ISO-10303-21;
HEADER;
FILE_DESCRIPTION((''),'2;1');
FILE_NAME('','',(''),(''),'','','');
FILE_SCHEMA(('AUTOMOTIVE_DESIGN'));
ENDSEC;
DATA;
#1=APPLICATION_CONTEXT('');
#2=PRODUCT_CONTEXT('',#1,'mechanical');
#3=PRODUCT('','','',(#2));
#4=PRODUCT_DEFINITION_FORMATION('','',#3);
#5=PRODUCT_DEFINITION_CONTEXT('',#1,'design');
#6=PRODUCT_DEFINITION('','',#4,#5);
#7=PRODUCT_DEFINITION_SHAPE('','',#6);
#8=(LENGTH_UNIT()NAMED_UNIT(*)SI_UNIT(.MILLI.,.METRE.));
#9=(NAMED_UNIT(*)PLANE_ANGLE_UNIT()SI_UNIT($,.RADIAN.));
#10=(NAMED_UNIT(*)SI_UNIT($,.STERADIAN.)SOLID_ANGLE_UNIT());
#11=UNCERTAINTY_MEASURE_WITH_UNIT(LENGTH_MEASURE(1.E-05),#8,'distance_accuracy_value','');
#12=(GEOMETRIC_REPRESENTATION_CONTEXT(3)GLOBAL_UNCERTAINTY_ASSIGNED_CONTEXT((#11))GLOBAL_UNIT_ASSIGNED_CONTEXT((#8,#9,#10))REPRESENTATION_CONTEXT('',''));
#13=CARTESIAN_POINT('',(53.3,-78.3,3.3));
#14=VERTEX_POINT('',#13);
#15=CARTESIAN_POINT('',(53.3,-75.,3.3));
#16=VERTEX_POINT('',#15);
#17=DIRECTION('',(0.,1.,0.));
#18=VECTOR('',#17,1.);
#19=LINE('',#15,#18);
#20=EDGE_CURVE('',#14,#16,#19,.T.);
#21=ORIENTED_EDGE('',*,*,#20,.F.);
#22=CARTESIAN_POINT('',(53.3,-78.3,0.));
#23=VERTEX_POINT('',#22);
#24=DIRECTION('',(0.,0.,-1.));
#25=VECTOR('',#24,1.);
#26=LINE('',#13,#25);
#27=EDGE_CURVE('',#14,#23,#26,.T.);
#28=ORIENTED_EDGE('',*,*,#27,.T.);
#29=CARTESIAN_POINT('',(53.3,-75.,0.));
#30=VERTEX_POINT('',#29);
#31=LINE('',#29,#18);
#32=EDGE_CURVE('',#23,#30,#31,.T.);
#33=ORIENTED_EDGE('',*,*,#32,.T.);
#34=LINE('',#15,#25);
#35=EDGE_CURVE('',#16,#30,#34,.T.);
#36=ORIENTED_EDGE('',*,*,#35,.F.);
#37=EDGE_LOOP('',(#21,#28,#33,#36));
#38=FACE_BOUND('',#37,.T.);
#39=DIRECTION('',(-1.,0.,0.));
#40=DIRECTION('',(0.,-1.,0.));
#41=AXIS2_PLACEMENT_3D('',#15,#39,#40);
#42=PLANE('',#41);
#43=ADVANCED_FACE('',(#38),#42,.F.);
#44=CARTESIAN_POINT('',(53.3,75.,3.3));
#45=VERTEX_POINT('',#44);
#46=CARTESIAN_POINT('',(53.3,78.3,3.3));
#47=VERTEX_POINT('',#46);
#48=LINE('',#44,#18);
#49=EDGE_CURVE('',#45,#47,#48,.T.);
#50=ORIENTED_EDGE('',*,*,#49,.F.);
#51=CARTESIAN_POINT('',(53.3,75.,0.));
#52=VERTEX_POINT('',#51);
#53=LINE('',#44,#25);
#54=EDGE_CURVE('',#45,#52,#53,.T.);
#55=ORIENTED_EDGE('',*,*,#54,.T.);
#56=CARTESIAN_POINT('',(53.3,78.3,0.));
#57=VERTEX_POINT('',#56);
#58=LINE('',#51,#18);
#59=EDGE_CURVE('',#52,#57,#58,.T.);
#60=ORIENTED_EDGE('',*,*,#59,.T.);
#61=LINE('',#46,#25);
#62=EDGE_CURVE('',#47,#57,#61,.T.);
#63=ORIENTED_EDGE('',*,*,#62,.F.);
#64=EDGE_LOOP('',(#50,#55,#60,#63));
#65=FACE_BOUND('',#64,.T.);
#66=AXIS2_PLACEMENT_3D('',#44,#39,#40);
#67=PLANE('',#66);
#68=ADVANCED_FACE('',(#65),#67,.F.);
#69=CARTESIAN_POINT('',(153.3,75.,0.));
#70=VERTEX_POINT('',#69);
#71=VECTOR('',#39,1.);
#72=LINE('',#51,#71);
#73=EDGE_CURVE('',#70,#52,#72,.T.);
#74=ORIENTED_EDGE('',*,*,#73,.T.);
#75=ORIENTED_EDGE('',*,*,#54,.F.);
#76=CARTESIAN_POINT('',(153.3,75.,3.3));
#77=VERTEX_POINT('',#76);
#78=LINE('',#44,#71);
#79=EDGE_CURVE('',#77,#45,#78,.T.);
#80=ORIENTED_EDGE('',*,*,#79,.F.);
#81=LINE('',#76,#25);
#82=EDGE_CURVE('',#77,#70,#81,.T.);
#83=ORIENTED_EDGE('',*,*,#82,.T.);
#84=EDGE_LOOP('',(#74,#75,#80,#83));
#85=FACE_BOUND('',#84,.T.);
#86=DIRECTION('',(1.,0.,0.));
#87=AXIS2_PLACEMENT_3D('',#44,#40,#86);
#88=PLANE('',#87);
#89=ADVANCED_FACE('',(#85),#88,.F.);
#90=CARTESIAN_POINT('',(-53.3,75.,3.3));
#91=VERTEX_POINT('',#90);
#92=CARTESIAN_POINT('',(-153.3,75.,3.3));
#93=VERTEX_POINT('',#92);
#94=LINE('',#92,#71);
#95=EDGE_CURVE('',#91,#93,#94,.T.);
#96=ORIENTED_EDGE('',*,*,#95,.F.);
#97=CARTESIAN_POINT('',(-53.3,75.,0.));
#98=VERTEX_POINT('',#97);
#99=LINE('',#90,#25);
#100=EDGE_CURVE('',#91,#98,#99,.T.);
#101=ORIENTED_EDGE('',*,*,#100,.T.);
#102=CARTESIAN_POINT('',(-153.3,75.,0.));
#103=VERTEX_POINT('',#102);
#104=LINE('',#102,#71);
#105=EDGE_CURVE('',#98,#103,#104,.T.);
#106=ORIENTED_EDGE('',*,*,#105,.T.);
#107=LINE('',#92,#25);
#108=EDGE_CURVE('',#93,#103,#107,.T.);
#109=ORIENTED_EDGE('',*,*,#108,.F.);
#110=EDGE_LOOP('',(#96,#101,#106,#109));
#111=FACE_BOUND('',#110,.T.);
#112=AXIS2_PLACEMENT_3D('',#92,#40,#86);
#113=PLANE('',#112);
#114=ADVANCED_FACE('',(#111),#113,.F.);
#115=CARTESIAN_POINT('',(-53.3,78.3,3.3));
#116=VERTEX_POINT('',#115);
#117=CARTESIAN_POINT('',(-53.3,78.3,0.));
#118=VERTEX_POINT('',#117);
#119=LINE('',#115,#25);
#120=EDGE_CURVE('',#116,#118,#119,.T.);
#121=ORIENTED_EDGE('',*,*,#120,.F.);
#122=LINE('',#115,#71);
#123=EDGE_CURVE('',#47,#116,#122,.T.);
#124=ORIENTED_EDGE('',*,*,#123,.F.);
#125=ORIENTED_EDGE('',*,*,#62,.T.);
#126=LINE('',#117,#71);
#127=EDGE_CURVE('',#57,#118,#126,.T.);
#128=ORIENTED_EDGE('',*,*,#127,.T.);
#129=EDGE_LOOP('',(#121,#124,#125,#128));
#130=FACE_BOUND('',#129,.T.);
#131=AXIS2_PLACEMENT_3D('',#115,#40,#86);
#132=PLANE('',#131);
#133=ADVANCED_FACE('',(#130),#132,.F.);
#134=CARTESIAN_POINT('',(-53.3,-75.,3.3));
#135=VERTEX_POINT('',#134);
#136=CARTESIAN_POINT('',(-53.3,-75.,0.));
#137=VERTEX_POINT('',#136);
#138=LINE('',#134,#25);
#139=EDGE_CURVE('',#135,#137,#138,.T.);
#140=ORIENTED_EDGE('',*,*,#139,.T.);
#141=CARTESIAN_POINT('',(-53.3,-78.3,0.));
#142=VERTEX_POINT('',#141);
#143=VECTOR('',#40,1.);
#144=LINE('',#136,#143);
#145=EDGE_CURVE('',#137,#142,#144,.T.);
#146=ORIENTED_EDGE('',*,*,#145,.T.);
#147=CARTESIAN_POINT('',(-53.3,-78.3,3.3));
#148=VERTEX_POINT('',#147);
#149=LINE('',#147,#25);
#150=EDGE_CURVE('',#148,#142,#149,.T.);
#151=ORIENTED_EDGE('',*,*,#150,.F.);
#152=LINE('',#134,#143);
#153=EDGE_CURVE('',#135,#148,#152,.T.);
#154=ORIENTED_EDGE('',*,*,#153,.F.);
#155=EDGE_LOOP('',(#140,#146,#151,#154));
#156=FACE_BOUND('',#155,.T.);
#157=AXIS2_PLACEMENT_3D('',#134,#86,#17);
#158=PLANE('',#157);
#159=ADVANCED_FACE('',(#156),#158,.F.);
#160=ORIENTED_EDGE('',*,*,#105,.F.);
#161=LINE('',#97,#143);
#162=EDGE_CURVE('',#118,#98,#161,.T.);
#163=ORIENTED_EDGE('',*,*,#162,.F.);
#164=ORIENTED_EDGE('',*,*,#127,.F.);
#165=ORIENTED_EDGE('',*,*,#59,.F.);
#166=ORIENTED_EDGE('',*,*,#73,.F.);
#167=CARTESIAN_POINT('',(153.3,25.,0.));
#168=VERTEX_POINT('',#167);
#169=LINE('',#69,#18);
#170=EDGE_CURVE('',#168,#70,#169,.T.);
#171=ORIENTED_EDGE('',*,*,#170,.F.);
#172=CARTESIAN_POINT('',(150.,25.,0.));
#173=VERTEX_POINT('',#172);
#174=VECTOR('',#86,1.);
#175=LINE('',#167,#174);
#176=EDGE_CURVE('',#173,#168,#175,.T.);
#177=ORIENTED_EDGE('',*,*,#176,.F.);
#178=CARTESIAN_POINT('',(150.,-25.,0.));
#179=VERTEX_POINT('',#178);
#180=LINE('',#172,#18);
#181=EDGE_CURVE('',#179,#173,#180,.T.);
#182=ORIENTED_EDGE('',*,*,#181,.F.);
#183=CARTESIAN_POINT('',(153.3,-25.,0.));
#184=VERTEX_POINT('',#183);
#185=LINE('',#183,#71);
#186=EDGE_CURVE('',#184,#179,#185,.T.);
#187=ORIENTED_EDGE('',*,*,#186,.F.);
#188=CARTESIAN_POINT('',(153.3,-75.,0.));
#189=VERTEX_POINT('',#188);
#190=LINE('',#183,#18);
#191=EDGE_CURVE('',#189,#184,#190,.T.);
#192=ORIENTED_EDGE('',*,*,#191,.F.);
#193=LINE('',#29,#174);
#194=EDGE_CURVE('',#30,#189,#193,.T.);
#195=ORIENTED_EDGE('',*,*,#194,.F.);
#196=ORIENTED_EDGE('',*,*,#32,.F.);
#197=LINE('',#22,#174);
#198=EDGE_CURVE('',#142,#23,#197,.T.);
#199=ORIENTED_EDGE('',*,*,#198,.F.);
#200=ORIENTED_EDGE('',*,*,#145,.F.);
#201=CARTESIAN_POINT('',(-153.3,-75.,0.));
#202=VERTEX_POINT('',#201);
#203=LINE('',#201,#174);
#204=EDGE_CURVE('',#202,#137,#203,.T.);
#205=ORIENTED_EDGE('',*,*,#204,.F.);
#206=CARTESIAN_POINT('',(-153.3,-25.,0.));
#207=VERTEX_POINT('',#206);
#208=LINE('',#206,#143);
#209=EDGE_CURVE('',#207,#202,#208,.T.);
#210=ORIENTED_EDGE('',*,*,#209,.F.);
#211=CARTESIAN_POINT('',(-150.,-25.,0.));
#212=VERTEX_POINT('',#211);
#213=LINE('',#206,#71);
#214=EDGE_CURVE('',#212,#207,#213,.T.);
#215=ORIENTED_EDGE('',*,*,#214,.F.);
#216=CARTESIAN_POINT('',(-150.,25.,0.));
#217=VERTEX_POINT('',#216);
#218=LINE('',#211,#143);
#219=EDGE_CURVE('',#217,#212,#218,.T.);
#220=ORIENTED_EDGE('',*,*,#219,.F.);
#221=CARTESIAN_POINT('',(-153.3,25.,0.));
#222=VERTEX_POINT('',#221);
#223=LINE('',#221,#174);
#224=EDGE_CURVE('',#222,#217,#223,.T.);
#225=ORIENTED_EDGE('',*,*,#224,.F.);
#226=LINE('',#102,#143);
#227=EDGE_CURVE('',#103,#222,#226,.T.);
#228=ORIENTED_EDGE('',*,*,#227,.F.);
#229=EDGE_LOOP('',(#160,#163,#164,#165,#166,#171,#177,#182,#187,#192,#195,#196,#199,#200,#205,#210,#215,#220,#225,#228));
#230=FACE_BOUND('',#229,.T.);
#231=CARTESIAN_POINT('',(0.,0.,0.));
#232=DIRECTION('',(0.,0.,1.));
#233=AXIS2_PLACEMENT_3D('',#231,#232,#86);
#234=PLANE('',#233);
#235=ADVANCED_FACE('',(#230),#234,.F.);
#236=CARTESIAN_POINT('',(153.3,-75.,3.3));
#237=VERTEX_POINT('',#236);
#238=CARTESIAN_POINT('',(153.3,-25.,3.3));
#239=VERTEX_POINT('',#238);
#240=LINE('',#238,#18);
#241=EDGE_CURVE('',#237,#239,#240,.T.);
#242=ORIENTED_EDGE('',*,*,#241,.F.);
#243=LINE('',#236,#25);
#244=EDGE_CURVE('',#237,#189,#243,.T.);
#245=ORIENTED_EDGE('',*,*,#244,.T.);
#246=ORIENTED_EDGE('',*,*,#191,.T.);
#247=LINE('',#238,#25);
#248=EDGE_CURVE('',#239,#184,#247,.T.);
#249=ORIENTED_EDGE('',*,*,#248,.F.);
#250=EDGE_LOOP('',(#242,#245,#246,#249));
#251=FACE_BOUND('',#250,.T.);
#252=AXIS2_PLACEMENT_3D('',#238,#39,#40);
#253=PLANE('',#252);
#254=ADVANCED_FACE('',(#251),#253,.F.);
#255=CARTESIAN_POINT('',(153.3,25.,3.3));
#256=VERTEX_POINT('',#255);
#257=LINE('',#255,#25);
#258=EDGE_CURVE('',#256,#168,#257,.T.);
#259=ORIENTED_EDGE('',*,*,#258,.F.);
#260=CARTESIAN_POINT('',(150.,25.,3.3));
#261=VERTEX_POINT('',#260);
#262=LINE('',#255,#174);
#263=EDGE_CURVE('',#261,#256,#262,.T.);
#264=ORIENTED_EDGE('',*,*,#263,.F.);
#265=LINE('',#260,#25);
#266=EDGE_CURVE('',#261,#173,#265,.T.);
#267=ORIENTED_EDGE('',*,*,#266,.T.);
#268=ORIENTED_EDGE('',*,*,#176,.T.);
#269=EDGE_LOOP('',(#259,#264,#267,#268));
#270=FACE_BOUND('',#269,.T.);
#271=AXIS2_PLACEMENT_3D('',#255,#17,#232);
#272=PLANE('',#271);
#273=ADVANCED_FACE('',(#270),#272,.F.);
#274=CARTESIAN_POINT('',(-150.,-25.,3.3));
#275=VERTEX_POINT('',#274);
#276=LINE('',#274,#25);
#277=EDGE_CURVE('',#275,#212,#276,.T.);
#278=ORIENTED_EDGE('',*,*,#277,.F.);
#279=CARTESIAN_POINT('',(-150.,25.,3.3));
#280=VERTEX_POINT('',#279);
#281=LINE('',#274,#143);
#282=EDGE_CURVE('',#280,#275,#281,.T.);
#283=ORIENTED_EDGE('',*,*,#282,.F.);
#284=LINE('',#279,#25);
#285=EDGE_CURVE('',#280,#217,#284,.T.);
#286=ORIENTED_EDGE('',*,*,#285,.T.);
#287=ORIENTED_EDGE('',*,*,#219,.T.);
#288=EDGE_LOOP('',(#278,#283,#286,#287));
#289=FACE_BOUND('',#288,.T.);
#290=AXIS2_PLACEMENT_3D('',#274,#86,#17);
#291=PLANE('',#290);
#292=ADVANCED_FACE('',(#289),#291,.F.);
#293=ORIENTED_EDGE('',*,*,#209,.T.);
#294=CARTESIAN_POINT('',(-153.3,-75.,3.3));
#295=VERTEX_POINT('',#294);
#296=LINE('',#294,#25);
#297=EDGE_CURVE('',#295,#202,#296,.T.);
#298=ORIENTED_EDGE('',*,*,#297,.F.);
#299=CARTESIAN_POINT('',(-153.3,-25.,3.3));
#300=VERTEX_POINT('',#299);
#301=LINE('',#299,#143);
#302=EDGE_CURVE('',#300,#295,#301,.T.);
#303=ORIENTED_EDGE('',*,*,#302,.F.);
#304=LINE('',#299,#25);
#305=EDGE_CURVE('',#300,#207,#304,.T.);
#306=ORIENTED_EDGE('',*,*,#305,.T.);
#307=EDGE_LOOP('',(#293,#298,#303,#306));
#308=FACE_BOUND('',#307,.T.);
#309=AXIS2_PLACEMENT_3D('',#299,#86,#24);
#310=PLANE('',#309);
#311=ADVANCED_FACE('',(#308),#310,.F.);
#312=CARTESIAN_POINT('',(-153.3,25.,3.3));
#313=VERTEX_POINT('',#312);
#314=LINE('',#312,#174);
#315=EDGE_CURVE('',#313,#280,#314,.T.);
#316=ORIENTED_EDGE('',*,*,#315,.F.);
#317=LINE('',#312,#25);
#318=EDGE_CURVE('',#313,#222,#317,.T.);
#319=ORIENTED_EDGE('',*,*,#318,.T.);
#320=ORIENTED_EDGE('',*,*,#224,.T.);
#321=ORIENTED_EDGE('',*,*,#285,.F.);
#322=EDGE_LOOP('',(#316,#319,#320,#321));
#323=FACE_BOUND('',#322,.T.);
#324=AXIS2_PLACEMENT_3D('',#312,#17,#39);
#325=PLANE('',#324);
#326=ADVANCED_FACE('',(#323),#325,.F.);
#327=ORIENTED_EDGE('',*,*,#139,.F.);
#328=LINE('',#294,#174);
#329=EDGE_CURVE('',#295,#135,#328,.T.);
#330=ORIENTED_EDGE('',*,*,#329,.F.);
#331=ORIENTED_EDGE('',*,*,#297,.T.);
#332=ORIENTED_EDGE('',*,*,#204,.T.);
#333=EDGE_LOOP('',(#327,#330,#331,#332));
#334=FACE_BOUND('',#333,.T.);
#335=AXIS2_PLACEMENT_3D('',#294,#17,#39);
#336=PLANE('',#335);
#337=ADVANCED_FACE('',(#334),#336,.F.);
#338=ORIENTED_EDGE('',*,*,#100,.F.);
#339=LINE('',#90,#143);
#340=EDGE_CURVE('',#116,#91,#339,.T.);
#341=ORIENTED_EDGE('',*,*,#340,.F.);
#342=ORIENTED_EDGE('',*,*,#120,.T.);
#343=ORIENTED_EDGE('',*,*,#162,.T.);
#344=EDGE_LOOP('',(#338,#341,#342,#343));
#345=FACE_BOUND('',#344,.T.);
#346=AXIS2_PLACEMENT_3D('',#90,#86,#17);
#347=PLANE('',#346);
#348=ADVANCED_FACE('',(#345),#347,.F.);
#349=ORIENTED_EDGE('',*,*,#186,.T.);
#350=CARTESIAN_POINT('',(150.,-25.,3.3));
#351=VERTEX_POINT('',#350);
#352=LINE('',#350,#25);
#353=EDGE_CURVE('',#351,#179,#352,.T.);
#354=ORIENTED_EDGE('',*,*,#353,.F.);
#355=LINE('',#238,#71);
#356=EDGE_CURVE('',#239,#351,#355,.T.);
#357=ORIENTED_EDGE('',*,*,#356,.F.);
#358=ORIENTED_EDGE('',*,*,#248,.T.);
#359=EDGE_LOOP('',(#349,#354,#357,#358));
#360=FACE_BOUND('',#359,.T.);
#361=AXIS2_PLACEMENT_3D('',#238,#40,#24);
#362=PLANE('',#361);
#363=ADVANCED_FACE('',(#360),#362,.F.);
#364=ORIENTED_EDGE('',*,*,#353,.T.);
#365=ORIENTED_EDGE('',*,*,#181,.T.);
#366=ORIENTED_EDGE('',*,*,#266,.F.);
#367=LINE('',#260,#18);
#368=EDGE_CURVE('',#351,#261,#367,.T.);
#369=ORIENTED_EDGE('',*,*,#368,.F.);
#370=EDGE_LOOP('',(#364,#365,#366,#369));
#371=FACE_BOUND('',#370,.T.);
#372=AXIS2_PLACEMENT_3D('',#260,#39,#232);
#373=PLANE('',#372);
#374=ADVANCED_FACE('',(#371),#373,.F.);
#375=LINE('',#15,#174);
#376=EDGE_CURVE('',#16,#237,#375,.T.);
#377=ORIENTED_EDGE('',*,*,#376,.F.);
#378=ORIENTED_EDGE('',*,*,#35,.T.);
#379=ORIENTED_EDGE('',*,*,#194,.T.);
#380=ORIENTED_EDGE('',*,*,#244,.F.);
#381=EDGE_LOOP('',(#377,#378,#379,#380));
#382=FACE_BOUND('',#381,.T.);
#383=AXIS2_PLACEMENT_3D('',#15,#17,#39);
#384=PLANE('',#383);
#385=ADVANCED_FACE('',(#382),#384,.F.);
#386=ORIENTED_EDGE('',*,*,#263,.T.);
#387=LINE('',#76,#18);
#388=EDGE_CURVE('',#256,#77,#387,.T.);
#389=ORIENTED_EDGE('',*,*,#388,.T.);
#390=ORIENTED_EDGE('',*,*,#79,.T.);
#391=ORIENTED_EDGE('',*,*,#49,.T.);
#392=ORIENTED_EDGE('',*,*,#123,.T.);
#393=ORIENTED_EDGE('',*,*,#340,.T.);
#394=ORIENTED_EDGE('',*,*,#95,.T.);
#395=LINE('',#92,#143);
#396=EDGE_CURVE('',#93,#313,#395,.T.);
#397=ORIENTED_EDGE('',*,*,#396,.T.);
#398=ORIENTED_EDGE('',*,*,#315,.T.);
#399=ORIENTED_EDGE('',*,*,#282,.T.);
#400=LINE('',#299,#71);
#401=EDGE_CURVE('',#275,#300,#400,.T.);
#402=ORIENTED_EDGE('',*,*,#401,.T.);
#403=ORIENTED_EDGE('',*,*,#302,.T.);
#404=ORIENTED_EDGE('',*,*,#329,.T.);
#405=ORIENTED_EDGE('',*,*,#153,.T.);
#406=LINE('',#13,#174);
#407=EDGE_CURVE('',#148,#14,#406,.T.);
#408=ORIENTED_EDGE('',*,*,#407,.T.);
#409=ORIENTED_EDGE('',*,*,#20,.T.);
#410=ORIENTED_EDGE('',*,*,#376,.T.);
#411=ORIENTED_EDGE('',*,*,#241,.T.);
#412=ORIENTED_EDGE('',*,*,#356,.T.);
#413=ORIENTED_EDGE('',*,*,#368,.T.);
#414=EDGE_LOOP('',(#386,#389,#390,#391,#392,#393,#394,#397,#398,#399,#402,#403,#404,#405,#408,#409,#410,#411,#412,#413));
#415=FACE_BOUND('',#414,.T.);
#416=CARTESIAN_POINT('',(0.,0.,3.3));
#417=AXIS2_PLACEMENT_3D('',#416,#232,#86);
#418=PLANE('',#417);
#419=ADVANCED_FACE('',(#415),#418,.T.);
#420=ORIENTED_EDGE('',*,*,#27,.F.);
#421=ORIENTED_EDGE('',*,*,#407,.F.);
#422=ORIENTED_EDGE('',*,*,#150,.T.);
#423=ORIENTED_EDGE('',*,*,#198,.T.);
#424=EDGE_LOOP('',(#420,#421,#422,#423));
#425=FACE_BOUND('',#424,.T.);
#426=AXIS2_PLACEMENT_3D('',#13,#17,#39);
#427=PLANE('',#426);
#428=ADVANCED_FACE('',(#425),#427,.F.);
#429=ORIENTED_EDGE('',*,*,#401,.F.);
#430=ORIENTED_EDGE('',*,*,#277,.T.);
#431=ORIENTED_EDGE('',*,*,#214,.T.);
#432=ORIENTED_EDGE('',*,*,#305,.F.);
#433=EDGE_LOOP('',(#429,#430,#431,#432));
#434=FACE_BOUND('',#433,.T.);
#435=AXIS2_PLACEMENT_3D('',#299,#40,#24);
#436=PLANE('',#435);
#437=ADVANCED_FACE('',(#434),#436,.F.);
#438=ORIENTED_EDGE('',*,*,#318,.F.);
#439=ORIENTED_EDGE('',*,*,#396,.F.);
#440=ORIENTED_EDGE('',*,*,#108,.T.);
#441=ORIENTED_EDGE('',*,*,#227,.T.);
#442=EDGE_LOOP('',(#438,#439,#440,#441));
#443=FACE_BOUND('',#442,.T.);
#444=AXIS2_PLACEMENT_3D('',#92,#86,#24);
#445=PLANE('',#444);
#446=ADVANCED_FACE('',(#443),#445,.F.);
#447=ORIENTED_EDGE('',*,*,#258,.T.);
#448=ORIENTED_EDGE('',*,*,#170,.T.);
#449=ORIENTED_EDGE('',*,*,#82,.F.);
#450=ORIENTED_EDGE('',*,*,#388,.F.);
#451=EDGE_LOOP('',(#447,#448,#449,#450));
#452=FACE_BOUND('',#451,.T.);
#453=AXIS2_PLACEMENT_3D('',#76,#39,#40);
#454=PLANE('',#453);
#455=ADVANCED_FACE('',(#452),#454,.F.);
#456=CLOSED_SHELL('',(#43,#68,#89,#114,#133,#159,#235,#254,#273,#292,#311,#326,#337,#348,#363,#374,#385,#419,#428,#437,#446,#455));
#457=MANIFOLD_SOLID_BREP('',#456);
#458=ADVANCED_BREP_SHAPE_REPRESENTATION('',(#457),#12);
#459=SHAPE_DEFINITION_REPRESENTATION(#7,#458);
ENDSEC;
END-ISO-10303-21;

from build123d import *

# Parameters (mm, degrees)
SALIENTE_EXTRUIR1_DEPTH = 3.3


with BuildPart() as part:
    # Croquis1 → Saliente-Extruir1 (new body)
    with BuildSketch(Plane.XY):
        Polygon((-153.3, -25), (-153.3, -75), (-53.3, -75), (-53.3, -78.3), (53.3, -78.3), (53.3, -75), (153.3, -75), (153.3, -25), (150, -25), (150, 25), (153.3, 25), (153.3, 75), (53.3, 75), (53.3, 78.3), (-53.3, 78.3), (-53.3, 75), (-153.3, 75), (-153.3, 25), (-150, 25), (-150, -25), align=None)
    extrude(amount=SALIENTE_EXTRUIR1_DEPTH)


solid = part.part
